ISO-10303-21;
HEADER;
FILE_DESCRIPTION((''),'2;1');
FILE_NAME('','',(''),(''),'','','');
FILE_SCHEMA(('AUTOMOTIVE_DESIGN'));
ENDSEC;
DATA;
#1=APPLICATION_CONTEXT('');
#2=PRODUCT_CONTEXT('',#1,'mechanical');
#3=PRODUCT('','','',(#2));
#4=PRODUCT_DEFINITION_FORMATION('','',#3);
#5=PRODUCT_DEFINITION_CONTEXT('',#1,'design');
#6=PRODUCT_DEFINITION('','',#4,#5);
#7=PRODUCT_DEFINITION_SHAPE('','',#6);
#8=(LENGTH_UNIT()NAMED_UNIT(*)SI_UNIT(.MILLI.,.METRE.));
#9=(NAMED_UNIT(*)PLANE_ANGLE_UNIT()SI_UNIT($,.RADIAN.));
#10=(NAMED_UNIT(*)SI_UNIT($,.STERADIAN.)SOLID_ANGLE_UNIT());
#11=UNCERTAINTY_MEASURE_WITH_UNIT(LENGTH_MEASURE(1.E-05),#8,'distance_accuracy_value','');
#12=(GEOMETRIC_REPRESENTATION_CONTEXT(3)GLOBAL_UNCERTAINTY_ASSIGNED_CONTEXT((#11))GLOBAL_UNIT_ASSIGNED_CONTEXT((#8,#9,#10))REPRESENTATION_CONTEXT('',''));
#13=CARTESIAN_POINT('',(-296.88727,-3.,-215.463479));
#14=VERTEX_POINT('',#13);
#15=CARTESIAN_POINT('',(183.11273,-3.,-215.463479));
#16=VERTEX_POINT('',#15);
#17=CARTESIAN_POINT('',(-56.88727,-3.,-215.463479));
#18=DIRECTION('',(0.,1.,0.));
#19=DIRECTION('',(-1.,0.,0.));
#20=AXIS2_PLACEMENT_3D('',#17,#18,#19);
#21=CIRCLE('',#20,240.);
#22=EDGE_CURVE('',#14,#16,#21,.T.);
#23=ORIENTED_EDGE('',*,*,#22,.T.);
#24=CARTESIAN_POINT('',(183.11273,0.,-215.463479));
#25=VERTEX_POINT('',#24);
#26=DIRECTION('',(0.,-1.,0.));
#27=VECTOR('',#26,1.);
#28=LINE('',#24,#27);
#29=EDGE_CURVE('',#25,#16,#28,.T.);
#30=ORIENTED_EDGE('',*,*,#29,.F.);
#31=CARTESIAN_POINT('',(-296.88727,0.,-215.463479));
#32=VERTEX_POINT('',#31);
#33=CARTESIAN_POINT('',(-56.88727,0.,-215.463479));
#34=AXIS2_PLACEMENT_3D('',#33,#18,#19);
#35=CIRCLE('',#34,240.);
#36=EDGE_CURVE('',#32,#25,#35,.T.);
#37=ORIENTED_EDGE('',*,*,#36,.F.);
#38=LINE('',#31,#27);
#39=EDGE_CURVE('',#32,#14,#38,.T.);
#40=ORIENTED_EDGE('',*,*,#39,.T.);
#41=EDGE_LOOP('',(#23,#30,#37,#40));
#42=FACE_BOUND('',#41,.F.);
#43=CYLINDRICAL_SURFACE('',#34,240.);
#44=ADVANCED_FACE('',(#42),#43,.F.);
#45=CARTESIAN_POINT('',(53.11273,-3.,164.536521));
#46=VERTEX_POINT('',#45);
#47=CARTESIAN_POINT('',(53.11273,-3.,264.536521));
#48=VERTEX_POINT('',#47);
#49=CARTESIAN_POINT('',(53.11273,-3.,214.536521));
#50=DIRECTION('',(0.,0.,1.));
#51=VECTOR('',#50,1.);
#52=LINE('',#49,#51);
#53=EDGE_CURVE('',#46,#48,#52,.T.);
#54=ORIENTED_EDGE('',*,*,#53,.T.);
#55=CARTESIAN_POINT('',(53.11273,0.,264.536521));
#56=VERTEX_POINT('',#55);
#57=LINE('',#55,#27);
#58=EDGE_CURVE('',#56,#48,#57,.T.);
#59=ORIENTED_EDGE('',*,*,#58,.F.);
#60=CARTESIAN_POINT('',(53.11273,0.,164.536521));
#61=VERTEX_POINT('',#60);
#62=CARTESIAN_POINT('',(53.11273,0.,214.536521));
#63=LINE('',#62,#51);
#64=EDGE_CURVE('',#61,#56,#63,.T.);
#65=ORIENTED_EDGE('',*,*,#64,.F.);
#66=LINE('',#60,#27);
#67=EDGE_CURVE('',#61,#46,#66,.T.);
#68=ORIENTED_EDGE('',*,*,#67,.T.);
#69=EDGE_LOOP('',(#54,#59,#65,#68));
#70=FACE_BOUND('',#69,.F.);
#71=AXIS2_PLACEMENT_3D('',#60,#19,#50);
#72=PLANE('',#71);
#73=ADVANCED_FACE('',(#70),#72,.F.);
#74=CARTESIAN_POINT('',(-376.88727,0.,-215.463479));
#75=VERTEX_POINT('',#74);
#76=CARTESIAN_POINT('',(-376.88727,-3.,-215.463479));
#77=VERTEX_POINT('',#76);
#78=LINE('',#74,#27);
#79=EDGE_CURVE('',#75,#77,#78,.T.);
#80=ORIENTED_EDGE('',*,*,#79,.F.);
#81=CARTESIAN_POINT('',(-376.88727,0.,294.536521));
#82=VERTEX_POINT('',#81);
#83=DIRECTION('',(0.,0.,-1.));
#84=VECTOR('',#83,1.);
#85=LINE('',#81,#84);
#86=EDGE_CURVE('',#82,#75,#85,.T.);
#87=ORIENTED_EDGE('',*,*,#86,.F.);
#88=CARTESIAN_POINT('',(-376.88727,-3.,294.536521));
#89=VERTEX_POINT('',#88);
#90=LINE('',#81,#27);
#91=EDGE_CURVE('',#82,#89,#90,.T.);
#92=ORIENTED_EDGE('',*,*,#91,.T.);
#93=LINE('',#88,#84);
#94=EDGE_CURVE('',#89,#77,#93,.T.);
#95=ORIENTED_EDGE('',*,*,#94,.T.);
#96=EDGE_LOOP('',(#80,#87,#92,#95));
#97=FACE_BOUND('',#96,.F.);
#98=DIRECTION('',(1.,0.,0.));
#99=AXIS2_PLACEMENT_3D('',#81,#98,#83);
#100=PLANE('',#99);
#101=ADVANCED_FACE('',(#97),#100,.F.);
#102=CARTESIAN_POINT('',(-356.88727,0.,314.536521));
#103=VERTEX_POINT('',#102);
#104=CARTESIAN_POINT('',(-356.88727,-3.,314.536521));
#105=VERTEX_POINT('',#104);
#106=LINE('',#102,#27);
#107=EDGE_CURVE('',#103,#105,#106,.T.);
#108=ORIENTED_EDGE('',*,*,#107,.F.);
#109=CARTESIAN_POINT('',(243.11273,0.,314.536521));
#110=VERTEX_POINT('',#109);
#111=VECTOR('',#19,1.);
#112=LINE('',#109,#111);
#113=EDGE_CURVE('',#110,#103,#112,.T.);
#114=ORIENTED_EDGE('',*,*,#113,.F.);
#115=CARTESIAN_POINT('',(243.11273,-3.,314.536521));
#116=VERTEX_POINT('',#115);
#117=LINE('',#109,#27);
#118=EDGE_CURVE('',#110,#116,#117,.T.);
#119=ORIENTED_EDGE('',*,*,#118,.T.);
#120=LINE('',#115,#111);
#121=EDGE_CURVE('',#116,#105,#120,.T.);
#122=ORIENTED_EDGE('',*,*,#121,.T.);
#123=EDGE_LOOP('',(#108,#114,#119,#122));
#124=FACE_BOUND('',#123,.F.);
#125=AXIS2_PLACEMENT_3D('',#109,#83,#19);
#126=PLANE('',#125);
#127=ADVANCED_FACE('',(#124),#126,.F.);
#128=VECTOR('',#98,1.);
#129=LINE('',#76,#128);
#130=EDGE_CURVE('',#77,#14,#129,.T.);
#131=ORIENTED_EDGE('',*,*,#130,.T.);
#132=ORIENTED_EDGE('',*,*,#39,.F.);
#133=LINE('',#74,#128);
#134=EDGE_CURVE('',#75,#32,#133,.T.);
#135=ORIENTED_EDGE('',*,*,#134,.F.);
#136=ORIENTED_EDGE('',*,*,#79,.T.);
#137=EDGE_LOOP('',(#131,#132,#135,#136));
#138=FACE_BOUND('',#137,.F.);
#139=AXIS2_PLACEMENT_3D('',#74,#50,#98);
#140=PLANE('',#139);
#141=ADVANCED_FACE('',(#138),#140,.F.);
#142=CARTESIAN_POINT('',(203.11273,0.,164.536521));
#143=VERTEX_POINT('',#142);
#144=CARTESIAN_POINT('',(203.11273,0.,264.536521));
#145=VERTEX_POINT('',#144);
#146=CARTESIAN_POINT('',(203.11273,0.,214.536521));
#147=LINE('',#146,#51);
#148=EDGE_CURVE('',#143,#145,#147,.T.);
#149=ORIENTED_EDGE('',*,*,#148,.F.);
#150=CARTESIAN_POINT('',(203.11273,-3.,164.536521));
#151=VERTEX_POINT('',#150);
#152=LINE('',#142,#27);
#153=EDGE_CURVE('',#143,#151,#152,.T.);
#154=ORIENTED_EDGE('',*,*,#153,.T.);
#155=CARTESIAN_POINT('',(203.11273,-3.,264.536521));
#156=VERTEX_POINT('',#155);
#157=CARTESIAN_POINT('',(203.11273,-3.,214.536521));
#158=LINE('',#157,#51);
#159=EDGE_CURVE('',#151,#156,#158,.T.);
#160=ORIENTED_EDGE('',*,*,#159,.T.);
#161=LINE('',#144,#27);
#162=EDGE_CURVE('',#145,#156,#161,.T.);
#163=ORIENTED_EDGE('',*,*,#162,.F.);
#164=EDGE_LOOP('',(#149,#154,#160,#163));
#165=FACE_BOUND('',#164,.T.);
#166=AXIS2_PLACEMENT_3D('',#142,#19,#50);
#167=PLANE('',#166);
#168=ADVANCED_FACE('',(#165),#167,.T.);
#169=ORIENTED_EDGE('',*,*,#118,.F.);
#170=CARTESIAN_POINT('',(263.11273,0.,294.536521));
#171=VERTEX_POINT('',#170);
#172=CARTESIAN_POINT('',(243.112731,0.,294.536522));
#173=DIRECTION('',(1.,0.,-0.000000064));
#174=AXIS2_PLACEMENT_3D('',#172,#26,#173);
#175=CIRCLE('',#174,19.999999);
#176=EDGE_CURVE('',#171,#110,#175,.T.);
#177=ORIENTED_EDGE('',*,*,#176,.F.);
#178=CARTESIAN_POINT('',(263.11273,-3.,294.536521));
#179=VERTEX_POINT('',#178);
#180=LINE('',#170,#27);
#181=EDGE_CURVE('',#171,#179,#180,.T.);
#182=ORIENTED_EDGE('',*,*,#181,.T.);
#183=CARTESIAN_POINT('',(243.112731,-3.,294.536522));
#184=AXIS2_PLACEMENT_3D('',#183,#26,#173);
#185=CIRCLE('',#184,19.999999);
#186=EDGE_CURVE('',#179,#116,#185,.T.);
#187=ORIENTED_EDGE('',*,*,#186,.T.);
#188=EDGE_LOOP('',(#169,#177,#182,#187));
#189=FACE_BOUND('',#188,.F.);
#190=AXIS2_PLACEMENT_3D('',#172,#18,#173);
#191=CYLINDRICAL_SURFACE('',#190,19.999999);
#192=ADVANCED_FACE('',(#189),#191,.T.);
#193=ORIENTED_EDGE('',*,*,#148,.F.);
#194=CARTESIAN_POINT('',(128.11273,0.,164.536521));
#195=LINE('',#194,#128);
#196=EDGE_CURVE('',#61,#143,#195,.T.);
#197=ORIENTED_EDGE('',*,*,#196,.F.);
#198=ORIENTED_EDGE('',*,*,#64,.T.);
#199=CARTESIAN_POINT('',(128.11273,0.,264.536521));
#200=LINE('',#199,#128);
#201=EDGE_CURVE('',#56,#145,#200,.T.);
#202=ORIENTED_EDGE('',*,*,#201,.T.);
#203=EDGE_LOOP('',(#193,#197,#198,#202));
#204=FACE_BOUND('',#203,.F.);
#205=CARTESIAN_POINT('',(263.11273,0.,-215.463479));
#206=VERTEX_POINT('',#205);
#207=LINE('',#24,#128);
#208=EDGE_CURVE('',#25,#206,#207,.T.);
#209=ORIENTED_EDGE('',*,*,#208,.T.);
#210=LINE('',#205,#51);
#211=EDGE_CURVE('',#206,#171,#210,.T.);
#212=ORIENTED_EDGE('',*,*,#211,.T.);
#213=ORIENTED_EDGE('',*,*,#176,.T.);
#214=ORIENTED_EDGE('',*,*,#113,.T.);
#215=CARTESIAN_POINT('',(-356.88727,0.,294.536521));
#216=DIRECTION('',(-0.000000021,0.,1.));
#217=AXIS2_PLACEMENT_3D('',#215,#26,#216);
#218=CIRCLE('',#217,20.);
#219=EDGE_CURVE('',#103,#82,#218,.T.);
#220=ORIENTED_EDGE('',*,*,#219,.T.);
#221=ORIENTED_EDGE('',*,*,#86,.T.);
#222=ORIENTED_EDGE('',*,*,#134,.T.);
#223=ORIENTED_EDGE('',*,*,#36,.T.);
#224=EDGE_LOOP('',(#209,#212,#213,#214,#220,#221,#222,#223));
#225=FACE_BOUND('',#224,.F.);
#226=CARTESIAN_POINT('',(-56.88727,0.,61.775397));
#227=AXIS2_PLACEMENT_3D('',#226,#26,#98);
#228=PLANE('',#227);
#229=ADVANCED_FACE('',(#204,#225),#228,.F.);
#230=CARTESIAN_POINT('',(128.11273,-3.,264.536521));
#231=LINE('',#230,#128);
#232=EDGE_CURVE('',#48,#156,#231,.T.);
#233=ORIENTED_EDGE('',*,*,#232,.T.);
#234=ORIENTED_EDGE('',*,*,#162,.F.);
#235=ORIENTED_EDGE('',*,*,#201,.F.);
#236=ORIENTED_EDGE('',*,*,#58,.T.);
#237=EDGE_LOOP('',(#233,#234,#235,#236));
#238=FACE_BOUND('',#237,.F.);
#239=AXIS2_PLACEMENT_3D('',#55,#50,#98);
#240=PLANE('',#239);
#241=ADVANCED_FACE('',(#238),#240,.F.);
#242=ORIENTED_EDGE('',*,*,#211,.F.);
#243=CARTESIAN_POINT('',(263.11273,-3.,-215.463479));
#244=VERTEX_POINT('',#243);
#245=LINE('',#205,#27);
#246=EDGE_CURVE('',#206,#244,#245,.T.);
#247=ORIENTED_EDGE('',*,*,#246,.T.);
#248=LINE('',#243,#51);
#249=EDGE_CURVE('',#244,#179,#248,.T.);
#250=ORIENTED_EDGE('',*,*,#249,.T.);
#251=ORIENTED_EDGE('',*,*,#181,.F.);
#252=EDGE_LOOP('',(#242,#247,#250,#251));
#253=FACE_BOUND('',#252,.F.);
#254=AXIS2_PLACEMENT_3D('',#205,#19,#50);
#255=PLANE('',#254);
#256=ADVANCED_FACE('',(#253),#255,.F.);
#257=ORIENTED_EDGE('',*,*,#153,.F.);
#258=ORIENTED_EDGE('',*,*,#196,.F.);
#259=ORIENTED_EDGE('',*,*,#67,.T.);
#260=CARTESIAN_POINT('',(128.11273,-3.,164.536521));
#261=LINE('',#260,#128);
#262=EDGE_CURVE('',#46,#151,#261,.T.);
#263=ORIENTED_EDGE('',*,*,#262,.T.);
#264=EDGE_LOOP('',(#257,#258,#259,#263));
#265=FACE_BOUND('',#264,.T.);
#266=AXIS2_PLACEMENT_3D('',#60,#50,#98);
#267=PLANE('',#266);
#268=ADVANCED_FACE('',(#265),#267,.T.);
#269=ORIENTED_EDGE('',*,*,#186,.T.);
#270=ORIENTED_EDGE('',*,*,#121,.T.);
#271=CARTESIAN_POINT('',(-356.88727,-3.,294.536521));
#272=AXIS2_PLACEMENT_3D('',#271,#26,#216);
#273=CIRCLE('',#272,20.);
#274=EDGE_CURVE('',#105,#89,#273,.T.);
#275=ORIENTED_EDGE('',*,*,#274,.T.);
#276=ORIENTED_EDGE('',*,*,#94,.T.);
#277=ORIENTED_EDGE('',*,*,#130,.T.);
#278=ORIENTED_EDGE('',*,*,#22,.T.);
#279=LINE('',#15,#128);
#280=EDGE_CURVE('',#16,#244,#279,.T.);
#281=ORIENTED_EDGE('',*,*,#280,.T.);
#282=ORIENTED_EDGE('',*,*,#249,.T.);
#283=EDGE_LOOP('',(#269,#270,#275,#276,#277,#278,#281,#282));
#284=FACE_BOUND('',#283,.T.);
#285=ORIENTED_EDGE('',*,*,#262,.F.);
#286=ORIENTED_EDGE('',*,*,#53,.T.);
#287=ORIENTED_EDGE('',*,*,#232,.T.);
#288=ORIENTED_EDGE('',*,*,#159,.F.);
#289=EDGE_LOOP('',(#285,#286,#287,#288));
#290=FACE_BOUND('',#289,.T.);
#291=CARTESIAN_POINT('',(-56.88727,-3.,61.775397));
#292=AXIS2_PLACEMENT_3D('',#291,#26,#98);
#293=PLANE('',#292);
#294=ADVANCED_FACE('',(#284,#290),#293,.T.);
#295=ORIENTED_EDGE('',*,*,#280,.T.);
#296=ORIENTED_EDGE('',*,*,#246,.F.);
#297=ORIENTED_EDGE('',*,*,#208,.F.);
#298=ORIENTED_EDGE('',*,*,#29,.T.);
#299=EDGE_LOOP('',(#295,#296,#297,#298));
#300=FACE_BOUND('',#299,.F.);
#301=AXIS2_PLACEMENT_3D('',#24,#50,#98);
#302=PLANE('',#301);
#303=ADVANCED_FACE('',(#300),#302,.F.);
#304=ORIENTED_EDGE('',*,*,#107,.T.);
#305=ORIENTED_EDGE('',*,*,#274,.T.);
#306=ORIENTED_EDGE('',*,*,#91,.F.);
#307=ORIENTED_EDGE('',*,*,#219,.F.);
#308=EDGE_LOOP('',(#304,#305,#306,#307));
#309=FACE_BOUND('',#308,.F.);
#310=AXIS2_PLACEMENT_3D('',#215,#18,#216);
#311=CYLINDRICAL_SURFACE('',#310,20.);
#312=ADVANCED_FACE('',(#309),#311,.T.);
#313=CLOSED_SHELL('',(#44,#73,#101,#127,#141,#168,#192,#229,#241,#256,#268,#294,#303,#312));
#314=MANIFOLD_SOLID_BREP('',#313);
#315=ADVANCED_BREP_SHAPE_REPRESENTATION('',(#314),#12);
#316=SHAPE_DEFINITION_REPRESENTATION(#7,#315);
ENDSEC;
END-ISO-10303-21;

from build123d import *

# Parameters (mm, degrees)
F0_W     = 150
F0_H     = 100
F1_DEPTH = 3


with BuildPart() as f1:
    # F0 (on Front) → F1 (new body)
    with BuildSketch(Plane.XZ):
        with BuildLine():
            Line((243.11273, 314.536521), (-356.88727, 314.536521))
            ThreePointArc((-356.88727, 314.536521), (-371.029405, 308.678657), (-376.88727, 294.536521))
            Line((-376.88727, 294.536521), (-376.88727, -215.463479))
            Line((-376.88727, -215.463479), (-296.88727, -215.463479))
            ThreePointArc((-296.88727, -215.463479), (-56.88727, 24.536521), (183.11273, -215.463479))
            Line((183.11273, -215.463479), (263.11273, -215.463479))
            Line((263.11273, -215.463479), (263.11273, 294.536521))
            ThreePointArc((263.11273, 294.536521), (257.254866, 308.678657), (243.11273, 314.536521))
        make_face()
        with Locations((128.11273, 214.536521)):
            Rectangle(F0_W, F0_H, mode=Mode.SUBTRACT)
    extrude(amount=F1_DEPTH)


solid = f1.part
